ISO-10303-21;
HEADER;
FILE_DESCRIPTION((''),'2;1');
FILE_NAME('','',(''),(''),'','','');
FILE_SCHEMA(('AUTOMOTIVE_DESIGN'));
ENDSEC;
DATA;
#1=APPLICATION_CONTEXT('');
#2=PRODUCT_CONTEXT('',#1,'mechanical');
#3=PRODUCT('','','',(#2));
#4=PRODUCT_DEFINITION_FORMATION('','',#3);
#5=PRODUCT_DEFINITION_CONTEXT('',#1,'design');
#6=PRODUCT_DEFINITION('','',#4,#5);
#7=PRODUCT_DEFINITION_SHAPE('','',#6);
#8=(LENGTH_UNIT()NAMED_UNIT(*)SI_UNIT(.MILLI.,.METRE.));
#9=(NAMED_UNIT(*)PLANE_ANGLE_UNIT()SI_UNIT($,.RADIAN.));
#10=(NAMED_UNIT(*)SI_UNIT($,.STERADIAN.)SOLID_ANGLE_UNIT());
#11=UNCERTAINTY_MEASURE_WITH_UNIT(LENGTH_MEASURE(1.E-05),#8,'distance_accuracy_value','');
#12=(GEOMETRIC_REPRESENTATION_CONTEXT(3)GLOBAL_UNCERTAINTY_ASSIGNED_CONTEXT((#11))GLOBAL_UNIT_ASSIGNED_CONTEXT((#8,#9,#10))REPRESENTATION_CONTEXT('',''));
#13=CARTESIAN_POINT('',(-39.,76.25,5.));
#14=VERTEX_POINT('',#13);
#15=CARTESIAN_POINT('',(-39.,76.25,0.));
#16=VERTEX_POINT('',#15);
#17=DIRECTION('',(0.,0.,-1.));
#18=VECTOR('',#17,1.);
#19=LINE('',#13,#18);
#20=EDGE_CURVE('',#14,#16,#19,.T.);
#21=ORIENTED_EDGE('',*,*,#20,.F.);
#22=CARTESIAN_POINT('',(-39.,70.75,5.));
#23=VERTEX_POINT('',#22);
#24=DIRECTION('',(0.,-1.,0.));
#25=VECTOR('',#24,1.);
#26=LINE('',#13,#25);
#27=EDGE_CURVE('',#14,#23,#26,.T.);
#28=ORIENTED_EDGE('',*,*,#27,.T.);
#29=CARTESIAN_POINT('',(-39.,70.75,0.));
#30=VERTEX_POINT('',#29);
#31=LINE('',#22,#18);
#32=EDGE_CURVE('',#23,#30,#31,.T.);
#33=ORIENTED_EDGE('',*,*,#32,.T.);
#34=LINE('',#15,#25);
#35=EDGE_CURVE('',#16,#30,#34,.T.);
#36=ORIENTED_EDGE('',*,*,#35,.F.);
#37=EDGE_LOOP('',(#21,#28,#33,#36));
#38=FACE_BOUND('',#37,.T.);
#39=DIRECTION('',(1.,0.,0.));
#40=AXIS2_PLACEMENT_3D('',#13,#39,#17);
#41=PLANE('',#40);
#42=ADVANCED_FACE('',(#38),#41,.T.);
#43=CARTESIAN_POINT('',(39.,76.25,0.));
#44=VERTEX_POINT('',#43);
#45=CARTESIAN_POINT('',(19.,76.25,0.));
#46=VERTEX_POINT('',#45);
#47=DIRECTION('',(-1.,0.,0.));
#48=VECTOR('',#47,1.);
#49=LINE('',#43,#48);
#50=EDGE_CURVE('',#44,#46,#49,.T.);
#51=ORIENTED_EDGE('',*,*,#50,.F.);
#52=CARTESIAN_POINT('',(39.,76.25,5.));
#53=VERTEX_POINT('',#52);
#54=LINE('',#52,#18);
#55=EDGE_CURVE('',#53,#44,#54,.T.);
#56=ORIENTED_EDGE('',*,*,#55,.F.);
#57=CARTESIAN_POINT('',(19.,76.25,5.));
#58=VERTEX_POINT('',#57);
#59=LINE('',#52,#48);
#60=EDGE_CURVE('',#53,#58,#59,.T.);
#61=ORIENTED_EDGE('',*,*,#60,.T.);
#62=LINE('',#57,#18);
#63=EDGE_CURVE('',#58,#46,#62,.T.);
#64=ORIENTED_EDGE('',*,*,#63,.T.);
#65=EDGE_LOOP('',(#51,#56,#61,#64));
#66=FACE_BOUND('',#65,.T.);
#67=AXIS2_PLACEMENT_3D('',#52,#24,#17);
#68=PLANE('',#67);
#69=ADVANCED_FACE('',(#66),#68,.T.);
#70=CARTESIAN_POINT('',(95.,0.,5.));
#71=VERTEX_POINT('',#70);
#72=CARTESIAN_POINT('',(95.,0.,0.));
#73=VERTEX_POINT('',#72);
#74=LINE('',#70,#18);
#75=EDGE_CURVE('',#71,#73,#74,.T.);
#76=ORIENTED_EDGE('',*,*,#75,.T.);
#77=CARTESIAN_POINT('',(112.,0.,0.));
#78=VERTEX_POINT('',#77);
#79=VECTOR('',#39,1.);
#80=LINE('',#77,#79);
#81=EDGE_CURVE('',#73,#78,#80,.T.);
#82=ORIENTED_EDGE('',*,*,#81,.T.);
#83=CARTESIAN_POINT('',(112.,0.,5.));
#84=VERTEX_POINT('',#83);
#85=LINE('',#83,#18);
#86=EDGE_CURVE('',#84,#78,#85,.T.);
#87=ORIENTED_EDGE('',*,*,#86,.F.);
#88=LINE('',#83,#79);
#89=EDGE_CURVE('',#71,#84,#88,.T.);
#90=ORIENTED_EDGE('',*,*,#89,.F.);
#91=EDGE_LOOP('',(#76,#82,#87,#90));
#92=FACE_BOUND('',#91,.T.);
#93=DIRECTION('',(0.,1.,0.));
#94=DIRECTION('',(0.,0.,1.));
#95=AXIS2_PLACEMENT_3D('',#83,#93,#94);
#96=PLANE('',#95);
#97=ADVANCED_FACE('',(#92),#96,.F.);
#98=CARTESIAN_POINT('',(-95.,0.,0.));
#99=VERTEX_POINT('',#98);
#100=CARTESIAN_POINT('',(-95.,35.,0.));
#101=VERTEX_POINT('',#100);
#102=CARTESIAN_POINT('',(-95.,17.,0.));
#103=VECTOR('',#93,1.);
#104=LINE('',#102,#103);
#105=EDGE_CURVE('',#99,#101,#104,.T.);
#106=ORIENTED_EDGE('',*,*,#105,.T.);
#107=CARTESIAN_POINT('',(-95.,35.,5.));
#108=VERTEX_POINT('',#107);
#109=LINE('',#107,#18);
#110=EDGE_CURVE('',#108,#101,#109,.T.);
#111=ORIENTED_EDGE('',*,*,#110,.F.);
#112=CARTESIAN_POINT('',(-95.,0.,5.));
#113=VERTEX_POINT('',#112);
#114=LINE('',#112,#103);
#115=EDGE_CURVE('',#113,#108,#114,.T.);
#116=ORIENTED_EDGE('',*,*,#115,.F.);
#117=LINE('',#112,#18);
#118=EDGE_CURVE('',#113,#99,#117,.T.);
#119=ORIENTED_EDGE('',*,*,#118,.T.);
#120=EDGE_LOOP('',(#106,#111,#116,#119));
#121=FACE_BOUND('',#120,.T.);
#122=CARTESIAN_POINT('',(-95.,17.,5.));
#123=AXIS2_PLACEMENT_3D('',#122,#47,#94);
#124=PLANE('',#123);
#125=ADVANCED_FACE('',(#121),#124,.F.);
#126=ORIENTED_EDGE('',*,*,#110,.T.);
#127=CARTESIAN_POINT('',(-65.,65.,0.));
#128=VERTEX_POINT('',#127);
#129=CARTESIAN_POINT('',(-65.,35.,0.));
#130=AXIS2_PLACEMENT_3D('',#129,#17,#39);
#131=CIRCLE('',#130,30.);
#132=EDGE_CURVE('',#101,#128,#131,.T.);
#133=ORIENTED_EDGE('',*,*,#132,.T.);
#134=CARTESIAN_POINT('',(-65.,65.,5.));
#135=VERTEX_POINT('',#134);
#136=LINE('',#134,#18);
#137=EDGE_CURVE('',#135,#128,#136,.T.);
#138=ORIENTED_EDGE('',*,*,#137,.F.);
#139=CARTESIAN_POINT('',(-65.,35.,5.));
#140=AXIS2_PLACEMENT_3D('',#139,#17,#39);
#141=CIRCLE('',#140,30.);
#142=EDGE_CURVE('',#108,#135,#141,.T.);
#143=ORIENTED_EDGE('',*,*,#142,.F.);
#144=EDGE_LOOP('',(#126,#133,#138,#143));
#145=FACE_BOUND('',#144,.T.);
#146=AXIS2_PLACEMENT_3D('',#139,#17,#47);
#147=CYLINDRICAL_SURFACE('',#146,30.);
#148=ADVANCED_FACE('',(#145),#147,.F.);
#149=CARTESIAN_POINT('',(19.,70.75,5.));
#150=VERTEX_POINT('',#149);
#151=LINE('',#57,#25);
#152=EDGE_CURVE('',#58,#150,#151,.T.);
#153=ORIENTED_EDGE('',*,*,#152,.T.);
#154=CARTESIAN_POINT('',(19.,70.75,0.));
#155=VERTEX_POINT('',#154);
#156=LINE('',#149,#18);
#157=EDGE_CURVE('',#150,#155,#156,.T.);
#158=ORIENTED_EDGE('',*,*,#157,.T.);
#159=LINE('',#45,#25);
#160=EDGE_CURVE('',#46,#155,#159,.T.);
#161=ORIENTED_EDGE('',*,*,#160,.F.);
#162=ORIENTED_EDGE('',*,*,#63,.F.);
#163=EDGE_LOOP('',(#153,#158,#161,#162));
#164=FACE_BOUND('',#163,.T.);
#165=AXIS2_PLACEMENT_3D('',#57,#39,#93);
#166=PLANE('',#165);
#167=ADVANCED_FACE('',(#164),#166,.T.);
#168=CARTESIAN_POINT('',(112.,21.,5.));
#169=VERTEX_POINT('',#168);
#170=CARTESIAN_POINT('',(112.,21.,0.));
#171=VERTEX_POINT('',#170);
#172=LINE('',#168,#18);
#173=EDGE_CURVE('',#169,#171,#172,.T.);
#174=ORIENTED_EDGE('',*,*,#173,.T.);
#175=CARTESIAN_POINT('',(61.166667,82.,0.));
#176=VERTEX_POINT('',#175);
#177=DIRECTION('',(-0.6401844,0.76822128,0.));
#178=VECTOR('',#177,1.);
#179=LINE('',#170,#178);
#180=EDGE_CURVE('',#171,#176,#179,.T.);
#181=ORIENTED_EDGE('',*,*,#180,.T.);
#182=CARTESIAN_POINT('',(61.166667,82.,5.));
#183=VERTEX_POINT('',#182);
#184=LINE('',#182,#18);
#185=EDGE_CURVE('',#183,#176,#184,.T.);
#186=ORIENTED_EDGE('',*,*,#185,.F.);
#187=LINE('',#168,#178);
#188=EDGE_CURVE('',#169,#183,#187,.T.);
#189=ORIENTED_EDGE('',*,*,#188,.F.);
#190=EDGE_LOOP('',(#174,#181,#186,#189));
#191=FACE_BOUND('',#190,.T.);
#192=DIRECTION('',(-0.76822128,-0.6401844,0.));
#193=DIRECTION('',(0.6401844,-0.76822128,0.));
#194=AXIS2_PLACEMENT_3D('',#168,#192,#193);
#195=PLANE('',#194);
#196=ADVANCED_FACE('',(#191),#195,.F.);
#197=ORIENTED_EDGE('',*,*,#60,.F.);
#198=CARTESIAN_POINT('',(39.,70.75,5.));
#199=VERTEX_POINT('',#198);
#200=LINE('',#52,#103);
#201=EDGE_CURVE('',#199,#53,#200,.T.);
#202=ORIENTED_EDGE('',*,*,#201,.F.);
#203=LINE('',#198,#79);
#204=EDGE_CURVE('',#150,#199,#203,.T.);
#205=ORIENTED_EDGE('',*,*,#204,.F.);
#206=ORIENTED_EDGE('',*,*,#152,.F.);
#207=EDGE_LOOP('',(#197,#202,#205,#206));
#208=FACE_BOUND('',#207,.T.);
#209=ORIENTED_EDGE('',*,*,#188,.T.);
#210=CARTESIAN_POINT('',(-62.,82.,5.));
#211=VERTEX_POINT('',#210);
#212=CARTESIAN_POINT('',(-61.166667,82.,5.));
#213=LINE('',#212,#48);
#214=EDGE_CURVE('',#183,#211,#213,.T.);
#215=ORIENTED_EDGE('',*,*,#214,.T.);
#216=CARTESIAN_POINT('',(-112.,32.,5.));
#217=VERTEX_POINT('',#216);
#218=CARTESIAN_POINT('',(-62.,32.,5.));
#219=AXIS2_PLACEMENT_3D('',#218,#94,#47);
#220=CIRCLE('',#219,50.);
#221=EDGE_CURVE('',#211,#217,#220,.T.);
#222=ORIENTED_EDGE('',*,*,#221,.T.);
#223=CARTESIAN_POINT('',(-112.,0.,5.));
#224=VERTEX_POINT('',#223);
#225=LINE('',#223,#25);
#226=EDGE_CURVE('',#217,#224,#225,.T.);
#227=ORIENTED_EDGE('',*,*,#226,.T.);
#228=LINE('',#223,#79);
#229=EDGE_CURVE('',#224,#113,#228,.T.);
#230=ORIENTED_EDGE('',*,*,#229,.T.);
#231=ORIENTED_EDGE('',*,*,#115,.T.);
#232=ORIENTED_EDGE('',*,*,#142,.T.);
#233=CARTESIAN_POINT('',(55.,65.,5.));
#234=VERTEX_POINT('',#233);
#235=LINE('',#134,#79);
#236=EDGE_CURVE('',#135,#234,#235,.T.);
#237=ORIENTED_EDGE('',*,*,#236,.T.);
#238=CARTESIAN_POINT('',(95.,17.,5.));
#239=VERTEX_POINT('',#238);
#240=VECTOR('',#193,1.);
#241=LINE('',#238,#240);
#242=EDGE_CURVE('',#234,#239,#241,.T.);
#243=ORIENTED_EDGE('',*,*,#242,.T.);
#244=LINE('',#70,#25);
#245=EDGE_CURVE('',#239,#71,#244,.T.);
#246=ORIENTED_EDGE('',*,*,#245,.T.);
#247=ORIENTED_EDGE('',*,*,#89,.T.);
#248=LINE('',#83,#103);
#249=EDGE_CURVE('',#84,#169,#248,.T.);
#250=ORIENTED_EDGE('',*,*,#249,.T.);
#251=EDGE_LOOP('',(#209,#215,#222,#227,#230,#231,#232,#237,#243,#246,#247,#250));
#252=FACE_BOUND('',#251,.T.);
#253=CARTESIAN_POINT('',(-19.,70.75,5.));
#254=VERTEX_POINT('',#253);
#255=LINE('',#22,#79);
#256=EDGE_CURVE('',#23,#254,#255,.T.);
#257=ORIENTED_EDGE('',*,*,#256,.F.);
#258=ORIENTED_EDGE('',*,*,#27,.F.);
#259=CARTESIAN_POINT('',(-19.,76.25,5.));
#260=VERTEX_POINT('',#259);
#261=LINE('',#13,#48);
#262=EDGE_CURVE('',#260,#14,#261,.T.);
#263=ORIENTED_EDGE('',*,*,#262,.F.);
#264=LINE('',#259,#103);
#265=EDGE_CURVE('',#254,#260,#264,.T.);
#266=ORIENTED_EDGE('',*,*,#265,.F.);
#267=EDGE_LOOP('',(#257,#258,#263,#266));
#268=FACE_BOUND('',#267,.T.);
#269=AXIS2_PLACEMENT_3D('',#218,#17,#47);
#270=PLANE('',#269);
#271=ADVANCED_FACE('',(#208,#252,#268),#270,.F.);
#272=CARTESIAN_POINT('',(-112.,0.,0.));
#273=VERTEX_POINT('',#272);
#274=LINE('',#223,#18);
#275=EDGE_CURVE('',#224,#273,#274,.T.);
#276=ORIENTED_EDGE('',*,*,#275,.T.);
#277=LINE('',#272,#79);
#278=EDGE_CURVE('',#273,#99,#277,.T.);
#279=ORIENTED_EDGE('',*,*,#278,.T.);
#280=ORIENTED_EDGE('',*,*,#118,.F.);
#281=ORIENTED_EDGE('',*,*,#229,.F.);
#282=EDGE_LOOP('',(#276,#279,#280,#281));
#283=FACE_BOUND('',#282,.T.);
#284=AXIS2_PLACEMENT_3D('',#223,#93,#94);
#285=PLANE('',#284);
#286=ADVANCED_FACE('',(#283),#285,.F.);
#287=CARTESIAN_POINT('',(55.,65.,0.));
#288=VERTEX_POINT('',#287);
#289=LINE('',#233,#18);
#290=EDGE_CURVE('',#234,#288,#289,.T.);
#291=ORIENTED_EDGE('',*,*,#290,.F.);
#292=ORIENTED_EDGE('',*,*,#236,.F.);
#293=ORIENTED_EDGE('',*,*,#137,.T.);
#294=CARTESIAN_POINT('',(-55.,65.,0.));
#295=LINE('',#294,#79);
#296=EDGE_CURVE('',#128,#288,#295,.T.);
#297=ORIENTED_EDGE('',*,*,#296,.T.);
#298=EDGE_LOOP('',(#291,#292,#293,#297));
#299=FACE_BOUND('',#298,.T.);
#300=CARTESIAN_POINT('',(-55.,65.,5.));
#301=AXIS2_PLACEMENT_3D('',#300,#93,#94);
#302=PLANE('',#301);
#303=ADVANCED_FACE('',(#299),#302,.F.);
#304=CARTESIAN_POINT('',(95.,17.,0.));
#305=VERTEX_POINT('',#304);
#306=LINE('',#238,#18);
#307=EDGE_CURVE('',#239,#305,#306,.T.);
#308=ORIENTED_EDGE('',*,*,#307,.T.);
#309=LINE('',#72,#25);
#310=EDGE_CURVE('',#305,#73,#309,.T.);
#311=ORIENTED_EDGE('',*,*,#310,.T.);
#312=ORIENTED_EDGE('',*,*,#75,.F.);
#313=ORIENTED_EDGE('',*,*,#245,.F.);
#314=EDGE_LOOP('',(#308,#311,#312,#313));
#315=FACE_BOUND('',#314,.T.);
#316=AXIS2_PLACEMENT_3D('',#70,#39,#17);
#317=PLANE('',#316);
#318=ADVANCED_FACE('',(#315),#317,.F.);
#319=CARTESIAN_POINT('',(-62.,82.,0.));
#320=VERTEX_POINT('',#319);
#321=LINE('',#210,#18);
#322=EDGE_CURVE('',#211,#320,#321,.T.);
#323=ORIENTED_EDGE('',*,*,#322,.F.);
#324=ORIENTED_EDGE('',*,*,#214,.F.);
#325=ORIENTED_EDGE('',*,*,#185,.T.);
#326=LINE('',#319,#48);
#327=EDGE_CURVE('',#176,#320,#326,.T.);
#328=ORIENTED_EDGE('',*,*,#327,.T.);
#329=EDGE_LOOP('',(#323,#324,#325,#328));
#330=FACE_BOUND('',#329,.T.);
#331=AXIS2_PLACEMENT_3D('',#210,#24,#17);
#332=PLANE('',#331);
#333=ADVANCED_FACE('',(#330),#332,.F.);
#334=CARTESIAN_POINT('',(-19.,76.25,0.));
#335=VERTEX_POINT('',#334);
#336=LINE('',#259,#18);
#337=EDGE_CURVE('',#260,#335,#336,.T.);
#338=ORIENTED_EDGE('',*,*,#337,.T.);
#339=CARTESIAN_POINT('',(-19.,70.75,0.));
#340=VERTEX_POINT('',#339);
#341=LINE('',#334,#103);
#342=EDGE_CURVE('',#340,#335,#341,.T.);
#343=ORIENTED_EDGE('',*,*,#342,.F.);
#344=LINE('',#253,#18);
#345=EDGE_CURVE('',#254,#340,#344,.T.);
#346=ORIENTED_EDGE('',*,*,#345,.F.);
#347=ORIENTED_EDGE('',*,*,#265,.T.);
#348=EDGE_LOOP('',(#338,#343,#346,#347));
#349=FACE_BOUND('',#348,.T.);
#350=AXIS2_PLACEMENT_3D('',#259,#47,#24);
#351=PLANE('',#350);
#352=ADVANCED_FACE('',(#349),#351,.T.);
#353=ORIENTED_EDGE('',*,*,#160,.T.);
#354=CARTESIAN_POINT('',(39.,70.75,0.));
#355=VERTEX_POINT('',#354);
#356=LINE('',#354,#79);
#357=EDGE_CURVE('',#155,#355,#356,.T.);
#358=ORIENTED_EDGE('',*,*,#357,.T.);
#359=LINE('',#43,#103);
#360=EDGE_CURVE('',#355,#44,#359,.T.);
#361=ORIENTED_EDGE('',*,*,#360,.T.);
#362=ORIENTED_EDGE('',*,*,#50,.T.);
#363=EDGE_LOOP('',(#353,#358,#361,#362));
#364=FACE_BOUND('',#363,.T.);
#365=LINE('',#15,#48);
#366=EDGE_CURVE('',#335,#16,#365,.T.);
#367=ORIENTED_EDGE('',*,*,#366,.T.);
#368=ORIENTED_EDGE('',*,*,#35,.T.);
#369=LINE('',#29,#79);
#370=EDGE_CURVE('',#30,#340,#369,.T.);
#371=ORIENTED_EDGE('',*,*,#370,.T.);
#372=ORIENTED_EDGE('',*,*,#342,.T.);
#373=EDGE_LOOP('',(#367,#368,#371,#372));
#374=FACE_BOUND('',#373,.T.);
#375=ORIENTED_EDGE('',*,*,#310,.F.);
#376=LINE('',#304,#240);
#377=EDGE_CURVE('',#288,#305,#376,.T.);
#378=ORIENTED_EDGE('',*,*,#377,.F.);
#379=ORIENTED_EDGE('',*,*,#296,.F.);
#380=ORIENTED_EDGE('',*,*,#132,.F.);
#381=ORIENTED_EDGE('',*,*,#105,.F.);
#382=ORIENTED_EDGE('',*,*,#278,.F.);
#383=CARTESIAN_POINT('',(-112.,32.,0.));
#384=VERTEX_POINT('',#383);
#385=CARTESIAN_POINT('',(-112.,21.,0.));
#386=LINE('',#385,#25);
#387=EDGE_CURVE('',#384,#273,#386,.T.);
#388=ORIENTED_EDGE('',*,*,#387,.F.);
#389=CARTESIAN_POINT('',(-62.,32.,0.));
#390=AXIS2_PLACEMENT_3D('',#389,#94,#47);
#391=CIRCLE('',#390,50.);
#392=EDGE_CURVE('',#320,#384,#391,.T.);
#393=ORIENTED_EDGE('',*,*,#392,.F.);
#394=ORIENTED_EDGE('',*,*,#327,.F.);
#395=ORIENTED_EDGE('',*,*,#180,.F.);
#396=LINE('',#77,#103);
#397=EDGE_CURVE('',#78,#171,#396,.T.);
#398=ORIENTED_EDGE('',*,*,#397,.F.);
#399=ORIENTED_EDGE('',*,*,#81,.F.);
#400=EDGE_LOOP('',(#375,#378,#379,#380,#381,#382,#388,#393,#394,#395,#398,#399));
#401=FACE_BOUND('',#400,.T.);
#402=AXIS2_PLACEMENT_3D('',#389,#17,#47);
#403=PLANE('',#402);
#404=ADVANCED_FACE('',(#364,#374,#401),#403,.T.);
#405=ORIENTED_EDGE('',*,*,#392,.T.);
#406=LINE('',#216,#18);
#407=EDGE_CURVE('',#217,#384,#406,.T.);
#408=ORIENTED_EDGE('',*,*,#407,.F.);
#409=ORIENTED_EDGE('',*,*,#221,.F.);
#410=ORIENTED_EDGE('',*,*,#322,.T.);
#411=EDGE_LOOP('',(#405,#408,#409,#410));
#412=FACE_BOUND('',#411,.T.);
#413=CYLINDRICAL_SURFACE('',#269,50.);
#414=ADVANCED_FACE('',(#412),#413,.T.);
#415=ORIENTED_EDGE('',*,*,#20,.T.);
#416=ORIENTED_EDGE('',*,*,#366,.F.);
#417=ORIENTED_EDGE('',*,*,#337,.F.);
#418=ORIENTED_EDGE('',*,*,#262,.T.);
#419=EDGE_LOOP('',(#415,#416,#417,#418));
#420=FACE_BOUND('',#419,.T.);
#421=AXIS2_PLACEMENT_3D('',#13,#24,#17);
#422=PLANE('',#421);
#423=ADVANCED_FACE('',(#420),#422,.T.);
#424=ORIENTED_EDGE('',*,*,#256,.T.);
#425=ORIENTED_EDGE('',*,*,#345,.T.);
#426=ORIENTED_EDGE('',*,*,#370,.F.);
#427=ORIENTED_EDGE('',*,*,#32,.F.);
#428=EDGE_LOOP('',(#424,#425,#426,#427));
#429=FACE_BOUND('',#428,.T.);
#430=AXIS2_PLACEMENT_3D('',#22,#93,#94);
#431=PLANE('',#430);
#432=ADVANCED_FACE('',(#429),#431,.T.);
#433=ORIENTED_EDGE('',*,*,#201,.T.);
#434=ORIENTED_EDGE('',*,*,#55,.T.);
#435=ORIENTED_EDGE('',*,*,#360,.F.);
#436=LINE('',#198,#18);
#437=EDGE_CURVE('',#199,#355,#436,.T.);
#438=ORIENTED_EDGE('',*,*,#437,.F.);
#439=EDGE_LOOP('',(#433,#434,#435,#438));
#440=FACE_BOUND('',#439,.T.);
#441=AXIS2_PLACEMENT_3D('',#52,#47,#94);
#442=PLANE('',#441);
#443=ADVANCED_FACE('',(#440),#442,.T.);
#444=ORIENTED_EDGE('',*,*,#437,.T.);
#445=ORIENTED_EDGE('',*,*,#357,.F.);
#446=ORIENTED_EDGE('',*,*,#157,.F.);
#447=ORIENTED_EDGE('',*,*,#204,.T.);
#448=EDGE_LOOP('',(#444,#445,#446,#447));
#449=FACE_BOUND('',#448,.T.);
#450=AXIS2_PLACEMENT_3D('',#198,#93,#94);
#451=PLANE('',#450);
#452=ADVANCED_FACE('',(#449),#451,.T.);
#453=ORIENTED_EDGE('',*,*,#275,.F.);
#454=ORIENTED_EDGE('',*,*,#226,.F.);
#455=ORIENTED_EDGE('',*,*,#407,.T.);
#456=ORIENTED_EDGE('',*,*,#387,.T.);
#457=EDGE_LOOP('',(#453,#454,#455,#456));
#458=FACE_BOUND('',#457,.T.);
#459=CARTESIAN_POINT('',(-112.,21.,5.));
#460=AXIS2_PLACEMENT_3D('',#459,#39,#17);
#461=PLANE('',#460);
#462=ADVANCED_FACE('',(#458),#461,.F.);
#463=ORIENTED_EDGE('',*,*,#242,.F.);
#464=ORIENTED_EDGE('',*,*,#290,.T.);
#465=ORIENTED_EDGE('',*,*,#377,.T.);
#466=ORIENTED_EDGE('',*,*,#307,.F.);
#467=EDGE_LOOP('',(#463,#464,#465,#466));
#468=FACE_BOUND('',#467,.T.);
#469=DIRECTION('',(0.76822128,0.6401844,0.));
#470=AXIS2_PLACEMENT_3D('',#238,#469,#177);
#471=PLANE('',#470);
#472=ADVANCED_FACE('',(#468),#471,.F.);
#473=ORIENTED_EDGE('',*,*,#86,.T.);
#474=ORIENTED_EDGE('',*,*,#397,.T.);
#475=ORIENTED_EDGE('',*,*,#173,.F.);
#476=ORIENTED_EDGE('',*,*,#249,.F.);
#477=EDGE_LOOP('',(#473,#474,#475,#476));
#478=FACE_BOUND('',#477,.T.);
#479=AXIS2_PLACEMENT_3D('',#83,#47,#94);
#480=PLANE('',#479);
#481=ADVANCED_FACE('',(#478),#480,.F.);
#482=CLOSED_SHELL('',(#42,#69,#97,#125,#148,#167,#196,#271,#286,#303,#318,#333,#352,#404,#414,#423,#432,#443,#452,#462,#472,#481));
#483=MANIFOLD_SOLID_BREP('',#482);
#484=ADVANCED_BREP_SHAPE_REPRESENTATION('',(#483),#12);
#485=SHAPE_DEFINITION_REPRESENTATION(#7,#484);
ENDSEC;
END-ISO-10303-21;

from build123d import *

# Parameters (mm, degrees)
SKETCH1_W           = 20
SKETCH1_H           = 5.5
BOSS_EXTRUDE1_DEPTH = 5


with BuildPart() as part:
    # Sketch1 → Boss-Extrude1 (new body)
    with BuildSketch(Plane.XY):
        with BuildLine():
            Line((-112, 0), (-95, 0))
            Line((-95, 0), (-95, 17))
            Line((-95, 17), (-95, 35))
            ThreePointArc((-95, 35), (-86.213203436, 56.213203436), (-65, 65))
            Line((-65, 65), (-55, 65))
            Line((-55, 65), (55, 65))
            Line((55, 65), (95, 17))
            Line((95, 17), (95, 0))
            Line((95, 0), (112, 0))
            Line((112, 0), (112, 21))
            Line((112, 21), (61.166666667, 82))
            Line((61.166666667, 82), (-61.166666667, 82))
            Line((-61.166666667, 82), (-62, 82))
            ThreePointArc((-62, 82), (-97.355339059, 67.355339059), (-112, 32))
            Line((-112, 32), (-112, 21))
            Line((-112, 21), (-112, 0))
        make_face()
        with Locations((29, 73.5)):
            Rectangle(SKETCH1_W, SKETCH1_H, mode=Mode.SUBTRACT)
        with Locations((-29, 73.5)):
            Rectangle(SKETCH1_W, SKETCH1_H, mode=Mode.SUBTRACT)
    extrude(amount=BOSS_EXTRUDE1_DEPTH)


solid = part.part
